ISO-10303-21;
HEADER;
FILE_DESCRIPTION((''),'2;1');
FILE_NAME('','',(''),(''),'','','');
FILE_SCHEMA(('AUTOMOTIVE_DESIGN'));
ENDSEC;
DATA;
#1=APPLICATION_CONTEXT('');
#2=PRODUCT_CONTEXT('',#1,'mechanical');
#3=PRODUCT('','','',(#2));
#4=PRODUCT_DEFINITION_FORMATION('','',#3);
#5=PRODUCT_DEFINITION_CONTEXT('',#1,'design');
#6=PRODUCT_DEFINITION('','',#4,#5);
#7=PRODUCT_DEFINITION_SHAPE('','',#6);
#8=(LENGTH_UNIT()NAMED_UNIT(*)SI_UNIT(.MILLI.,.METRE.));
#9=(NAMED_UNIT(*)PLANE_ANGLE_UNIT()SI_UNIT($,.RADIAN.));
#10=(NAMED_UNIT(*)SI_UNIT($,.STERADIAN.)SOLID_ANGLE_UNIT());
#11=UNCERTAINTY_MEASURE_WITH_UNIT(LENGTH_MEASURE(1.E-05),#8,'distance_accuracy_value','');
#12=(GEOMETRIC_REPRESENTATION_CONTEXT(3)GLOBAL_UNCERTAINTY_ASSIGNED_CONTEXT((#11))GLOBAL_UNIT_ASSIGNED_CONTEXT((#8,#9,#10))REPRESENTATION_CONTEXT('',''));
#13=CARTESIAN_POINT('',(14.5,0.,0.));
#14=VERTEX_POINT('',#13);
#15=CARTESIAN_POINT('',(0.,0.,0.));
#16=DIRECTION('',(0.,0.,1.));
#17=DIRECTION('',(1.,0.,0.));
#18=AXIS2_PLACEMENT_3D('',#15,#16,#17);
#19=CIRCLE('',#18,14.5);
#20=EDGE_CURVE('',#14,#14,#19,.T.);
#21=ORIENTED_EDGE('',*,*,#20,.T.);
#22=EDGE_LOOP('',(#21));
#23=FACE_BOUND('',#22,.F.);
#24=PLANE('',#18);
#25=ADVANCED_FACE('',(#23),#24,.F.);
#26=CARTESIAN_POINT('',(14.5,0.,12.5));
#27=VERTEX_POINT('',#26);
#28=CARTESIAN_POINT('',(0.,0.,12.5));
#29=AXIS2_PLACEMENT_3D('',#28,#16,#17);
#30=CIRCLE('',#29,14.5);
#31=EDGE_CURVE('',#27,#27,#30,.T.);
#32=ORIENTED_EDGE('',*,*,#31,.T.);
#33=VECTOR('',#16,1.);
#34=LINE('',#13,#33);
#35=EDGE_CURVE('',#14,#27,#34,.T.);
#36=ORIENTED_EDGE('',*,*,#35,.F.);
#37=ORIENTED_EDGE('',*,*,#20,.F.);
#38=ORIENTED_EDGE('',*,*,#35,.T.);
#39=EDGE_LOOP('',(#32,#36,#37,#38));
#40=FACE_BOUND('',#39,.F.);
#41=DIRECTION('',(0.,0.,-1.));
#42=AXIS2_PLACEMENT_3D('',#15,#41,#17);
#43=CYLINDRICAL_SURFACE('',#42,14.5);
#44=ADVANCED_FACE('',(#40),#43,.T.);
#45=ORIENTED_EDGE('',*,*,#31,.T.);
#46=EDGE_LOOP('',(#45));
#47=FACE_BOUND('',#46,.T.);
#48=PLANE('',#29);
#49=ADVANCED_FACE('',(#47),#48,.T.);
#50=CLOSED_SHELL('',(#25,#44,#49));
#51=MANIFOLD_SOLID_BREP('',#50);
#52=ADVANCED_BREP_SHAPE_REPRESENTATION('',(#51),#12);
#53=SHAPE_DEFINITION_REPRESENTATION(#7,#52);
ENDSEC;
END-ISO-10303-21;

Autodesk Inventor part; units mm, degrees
ref_plane "YZ Plane" through (0, 0, 0) normal (1, 0, 0) x (0, 1, 0)
ref_plane "XZ Plane" through (0, 0, 0) normal (0, 1, 0) x (-1, 0, 0)
ref_plane "XY Plane" through (0, 0, 0) normal (0, 0, 1) x (1, 0, 0)
sketch "Sketch1" plane through (0, 0, 0) normal (0, 0, 1) x (1, 0, 0)
  circle A0 centre (0, 0) radius 14.5
  dimension "d0" = 29
extrude "Extrusion1" add sketch "Sketch1" along normal blind 12.5
properties part number "Compression Test Specimen"
